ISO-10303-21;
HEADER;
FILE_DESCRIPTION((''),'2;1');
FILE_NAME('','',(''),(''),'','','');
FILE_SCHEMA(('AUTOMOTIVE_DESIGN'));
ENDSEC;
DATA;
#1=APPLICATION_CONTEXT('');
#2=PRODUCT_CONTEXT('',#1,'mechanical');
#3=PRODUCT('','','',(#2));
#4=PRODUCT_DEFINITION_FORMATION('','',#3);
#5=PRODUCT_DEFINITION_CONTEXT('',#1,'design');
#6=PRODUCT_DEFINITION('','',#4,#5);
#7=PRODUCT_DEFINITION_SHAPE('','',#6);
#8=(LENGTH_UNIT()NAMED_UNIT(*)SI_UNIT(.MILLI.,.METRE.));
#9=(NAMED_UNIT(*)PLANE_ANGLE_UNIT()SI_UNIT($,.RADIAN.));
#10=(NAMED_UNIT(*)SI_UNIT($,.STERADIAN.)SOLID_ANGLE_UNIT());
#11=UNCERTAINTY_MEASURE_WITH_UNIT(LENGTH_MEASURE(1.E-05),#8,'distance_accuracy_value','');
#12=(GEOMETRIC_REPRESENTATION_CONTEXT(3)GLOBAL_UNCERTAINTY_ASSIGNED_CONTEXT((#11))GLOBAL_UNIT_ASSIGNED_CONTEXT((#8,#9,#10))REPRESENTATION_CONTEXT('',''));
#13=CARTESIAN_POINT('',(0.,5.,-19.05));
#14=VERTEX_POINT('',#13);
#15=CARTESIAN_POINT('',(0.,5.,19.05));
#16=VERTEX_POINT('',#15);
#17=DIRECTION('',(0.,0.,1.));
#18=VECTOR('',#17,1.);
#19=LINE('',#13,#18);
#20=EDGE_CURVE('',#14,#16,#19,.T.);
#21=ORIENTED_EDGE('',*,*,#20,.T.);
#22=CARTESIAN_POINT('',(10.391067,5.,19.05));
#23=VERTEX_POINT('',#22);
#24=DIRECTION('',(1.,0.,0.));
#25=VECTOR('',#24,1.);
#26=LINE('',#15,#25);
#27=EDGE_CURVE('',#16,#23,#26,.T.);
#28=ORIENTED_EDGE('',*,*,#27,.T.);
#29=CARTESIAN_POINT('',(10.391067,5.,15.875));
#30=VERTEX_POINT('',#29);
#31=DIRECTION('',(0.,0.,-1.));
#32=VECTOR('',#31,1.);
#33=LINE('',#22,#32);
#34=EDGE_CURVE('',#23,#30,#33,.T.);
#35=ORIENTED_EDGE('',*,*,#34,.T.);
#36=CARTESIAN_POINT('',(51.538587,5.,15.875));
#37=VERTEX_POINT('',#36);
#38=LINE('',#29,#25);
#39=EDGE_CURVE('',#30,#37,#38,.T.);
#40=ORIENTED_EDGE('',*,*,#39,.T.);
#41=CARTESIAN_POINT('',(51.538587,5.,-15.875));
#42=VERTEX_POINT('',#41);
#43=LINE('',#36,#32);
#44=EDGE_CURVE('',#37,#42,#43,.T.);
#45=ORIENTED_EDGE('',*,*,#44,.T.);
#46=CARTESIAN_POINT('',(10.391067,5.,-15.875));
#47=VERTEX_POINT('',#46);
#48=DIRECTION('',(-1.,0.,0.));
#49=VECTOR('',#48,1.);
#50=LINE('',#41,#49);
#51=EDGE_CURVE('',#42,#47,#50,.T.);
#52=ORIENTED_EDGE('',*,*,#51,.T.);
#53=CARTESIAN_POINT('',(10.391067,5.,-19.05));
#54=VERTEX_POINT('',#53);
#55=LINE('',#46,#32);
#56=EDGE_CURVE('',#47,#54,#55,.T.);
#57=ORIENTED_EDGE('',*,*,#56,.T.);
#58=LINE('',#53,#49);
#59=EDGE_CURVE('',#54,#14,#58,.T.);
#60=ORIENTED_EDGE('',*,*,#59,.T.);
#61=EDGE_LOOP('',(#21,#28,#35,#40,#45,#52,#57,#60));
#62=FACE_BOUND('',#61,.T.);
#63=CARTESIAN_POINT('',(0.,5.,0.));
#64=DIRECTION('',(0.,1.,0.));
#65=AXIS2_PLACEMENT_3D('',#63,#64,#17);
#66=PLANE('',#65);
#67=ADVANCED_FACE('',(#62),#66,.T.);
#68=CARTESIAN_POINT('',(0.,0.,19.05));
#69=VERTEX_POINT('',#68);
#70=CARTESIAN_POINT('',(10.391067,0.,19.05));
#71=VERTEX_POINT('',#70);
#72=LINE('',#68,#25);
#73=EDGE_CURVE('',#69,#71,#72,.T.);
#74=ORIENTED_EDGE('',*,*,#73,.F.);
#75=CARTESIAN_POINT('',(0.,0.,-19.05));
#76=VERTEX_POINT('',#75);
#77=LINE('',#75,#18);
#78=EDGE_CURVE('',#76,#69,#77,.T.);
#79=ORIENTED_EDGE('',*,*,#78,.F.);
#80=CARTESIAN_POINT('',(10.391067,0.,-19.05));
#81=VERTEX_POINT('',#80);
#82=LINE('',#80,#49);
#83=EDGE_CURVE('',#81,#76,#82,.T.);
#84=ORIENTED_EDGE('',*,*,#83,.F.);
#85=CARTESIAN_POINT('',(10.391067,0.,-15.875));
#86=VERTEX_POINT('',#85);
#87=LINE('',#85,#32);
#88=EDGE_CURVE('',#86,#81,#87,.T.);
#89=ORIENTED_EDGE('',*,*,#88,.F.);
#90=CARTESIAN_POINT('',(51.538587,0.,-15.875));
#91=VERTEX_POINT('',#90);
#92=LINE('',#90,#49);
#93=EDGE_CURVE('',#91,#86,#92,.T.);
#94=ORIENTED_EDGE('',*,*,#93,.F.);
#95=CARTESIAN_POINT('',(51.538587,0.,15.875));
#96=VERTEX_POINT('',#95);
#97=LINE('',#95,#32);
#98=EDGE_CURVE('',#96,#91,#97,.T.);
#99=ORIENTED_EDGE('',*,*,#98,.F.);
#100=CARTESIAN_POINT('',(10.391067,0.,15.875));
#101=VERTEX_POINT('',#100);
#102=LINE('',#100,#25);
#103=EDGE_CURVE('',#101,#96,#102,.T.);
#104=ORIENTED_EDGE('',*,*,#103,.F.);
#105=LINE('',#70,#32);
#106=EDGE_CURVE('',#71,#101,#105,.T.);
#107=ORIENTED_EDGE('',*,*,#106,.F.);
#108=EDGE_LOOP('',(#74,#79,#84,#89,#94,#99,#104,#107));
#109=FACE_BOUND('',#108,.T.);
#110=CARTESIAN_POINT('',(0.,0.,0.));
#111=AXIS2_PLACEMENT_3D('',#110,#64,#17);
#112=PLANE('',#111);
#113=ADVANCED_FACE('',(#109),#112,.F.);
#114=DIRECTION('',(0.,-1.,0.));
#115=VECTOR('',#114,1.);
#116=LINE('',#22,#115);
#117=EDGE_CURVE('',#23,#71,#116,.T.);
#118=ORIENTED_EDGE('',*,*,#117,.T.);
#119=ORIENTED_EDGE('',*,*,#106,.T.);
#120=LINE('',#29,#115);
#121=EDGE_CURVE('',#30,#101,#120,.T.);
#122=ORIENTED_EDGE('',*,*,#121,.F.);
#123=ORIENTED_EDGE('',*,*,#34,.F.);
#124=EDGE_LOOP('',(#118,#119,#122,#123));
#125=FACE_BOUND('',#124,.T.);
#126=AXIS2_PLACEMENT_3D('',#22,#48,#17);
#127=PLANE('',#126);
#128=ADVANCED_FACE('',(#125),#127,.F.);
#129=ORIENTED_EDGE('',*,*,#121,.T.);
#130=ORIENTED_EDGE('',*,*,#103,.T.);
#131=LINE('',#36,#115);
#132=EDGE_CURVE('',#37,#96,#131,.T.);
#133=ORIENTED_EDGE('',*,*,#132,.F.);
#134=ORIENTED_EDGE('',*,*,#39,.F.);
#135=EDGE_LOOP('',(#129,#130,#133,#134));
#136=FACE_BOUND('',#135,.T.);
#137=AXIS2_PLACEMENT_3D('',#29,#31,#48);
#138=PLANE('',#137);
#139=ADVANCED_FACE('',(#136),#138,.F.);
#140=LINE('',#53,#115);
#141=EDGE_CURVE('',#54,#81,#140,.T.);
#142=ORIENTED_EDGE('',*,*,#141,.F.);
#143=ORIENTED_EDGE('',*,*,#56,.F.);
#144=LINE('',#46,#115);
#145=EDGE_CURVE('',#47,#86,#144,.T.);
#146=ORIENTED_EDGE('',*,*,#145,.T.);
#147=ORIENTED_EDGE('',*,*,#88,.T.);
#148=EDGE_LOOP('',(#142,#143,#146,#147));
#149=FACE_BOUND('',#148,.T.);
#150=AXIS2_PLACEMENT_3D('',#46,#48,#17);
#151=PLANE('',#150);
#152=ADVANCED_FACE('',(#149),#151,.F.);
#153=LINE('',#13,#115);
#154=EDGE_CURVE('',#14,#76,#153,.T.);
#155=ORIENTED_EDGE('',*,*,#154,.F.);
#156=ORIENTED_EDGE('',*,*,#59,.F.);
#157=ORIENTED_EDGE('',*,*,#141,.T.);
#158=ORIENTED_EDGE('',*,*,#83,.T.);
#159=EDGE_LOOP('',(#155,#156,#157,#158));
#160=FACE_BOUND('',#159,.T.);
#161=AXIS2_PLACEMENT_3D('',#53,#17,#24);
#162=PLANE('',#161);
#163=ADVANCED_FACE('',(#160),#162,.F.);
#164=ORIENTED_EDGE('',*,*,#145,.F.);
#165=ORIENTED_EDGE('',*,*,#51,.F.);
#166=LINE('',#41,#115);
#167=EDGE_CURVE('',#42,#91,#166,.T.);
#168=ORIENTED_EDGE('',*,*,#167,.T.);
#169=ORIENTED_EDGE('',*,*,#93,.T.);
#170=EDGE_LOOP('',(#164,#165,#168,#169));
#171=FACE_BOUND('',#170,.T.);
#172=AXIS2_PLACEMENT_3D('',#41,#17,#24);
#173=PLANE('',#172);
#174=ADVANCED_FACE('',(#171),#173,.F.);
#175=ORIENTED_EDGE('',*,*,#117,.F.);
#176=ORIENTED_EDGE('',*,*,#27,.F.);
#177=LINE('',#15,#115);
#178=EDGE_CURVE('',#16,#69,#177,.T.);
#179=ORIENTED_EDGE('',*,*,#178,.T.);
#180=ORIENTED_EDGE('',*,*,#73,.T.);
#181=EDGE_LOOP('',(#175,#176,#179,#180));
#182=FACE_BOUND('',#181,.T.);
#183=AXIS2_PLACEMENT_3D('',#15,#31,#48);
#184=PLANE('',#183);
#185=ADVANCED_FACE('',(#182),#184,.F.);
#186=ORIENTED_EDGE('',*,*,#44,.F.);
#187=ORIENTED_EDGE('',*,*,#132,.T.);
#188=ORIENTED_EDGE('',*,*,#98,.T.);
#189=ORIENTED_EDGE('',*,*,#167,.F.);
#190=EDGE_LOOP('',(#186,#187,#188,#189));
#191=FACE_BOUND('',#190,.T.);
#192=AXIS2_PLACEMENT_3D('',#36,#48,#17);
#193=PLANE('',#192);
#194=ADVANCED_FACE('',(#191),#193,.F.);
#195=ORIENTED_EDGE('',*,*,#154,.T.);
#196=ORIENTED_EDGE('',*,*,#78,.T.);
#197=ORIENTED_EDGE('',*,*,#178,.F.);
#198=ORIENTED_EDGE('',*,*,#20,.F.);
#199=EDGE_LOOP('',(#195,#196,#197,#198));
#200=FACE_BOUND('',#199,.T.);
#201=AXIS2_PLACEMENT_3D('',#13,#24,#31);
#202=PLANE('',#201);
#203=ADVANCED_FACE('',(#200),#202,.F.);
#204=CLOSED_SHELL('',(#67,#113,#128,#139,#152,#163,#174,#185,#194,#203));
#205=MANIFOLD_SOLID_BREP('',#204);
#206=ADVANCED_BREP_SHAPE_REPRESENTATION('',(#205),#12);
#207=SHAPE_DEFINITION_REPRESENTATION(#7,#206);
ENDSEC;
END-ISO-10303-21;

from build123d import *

# Parameters (mm, degrees)
BOSS_EXTRUDE1_DEPTH = 5


with BuildPart() as part:
    # Sketch1 → Boss-Extrude1 (new body)
    with BuildSketch(Plane(origin=(0, 0, 0), x_dir=(1, 0, 0), z_dir=(0, 1, 0))):
        Polygon((0, 19.05), (0, -19.05), (10.391066581, -19.05), (10.391066581, -15.875), (51.538586848, -15.875), (51.538586848, 15.875), (10.391066581, 15.875), (10.391066581, 19.05), align=None)
    extrude(amount=BOSS_EXTRUDE1_DEPTH)


solid = part.part
